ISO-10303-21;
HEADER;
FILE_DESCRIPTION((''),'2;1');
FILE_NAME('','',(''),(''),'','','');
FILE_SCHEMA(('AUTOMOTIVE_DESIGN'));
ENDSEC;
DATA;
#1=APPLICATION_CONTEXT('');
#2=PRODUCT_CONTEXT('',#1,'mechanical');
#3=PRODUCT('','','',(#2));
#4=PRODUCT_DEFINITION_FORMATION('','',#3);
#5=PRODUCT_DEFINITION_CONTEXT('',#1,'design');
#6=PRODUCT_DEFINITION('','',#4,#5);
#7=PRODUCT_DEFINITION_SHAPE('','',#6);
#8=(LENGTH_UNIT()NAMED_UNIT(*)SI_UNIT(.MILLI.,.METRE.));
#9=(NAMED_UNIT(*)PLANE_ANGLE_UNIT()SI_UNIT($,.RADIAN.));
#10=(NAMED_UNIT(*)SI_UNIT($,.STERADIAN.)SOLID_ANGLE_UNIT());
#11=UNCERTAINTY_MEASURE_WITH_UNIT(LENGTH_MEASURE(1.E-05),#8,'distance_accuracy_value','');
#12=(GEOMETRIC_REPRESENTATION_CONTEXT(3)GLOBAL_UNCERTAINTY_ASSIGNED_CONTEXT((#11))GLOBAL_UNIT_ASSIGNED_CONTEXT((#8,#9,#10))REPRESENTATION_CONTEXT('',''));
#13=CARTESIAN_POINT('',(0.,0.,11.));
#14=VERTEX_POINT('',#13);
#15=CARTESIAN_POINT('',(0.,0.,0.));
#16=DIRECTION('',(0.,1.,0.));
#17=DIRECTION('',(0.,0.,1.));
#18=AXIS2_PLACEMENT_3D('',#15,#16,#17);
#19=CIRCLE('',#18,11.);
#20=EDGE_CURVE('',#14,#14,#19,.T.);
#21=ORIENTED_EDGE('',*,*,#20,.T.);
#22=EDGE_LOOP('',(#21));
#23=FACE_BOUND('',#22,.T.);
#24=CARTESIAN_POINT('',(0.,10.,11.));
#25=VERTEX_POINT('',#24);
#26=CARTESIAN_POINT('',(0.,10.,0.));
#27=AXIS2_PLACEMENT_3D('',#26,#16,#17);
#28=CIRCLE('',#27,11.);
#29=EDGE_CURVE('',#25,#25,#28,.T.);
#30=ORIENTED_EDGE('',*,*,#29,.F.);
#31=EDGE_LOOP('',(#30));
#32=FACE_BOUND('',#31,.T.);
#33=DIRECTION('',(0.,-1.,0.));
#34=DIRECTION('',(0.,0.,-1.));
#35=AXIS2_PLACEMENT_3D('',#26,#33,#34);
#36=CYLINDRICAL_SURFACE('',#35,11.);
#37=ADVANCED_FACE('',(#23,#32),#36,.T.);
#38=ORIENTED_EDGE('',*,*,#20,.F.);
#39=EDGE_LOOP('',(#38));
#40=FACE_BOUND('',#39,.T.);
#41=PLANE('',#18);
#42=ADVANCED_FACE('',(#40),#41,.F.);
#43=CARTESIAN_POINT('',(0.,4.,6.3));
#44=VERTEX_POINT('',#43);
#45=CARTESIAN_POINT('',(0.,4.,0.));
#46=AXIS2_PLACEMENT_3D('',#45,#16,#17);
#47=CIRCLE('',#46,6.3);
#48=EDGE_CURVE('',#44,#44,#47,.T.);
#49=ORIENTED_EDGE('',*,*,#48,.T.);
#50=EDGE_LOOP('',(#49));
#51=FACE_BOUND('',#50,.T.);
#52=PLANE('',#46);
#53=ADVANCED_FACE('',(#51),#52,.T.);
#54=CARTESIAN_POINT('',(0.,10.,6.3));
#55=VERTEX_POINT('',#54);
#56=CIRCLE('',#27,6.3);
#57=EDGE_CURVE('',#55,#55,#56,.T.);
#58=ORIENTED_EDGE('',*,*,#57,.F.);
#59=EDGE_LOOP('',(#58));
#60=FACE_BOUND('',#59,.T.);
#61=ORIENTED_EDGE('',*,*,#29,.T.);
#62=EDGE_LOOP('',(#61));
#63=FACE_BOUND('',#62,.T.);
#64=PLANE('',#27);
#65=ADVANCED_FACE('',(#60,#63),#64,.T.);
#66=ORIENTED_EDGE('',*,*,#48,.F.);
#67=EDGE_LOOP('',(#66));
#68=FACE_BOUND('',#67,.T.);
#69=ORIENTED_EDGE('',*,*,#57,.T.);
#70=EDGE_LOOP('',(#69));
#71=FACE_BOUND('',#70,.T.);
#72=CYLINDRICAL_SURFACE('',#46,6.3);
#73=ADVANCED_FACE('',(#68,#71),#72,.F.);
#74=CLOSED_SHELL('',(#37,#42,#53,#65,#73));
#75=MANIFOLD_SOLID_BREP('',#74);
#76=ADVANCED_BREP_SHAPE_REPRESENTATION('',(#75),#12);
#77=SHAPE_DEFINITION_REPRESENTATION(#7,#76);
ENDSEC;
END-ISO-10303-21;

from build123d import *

# Parameters (mm, degrees)
SKETCH2_R           = 11
BOSS_EXTRUDE1_DEPTH = 10
CUT_EXTRUDE1_START  = 10
SKETCH2_3_R         = 6.3
CUT_EXTRUDE1_DEPTH  = 6


with BuildPart() as part:
    # Sketch2 → Boss-Extrude1 (new body)
    with BuildSketch(Plane(origin=(0, 0, 0), x_dir=(1, 0, 0), z_dir=(0, 1, 0))):
        Circle(SKETCH2_R)
    extrude(amount=BOSS_EXTRUDE1_DEPTH)

    # Sketch2<3> → Cut-Extrude1 (cut)
    with BuildSketch(Plane(origin=(0, 0, 0), x_dir=(1, 0, 0), z_dir=(0, 1, 0)).offset(CUT_EXTRUDE1_START)):
        Circle(SKETCH2_3_R)
    extrude(amount=-CUT_EXTRUDE1_DEPTH, mode=Mode.SUBTRACT)


solid = part.part
